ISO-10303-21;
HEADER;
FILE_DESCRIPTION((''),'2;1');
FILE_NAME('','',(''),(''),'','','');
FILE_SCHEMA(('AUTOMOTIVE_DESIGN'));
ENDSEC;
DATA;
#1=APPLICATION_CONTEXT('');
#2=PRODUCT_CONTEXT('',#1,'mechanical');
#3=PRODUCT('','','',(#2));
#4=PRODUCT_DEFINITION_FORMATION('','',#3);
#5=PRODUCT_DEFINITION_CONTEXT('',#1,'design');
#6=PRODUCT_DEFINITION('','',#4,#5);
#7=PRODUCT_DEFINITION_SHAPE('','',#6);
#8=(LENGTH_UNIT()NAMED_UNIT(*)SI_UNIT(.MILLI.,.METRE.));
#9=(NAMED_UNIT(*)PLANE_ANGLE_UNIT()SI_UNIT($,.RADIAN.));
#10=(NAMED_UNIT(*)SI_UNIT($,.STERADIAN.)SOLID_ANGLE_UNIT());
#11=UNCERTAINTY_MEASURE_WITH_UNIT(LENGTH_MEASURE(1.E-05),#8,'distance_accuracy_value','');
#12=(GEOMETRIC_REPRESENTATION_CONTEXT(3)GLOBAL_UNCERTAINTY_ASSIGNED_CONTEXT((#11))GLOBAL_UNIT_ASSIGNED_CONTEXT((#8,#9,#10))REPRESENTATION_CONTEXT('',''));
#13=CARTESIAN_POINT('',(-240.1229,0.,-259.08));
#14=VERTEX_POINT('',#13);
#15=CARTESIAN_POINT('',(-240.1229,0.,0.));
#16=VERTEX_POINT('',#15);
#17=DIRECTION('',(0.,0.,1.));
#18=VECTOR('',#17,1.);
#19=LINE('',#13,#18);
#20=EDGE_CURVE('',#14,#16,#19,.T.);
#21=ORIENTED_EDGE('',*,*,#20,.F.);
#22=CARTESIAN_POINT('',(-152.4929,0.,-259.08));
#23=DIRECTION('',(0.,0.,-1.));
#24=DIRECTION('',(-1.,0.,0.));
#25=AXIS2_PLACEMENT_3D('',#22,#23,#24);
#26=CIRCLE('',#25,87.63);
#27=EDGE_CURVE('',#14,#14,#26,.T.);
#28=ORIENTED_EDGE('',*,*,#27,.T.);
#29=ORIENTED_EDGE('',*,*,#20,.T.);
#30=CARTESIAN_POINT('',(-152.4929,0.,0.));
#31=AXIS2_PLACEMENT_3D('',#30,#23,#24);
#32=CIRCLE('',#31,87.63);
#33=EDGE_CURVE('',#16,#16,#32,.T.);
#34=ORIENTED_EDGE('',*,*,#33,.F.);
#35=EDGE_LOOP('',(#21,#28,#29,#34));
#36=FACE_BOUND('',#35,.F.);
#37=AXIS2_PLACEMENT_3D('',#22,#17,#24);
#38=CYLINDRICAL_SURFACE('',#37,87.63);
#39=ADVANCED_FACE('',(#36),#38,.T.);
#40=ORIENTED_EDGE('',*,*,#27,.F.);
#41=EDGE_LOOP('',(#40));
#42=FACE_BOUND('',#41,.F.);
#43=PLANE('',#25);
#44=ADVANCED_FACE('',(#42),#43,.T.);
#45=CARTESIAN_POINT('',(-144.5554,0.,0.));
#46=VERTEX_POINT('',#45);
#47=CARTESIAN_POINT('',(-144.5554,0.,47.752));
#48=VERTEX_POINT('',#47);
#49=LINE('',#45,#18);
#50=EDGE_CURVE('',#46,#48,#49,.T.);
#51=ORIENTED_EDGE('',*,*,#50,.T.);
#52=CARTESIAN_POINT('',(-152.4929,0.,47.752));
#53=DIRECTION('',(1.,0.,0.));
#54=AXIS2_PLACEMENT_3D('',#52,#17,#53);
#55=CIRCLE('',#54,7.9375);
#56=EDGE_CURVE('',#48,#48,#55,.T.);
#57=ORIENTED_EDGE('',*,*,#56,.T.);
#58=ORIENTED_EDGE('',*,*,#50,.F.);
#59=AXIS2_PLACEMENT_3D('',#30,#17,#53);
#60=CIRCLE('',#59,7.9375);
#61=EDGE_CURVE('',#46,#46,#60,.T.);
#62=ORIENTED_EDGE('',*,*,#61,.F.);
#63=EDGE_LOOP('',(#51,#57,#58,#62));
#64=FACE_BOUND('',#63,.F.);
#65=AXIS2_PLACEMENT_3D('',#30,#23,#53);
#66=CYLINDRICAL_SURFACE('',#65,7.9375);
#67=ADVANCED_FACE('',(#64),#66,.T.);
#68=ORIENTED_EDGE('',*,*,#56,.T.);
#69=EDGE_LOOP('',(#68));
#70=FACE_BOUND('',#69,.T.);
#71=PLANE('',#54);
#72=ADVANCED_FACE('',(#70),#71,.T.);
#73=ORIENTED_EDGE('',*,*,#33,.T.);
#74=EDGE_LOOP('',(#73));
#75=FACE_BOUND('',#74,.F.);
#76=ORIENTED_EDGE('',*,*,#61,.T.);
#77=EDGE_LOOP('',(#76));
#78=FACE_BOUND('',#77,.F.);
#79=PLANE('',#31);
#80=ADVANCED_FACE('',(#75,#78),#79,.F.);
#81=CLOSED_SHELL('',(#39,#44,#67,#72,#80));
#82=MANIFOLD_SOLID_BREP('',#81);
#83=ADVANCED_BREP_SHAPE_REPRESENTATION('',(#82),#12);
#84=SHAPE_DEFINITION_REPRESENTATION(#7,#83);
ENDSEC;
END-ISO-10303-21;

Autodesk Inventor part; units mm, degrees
ref_plane "YZ Plane" through (0, 0, 0) normal (1, 0, 0) x (0, 1, 0)
ref_plane "XZ Plane" through (0, 0, 0) normal (0, 1, 0) x (-1, 0, 0)
ref_plane "XY Plane" through (0, 0, 0) normal (0, 0, 1) x (1, 0, 0)
sketch "Sketch1" plane through (0, 0, 0) normal (0, 1, 0) x (-1, 0, 0)
  line L0 (240.1229, 0) -> (152.4929, 0)
  line L1 (152.4929, 0) -> (152.4929, -259.08)
  line L2 (152.4929, -259.08) -> (240.1229, -259.08)
  line L3 (240.1229, -259.08) -> (240.1229, 0)
  point P0 (0, 0)
  dimension "d0" = 259.08
  dimension "d1" = 87.63
revolve "Revolution1" add sketch "Sketch1" angle 360 about axis through (-152.4929, 0, 0) along (0, 0, -1)
sketch "Sketch2" plane through (-152.4929, 0, 0) normal (0, 0, 1) x (1, 0, 0)
  circle A0 centre (0, 0) radius 7.9375
  point P0 (152.4929, 0)
  dimension "d3" = 15.875
extrude "Extrusion1" add sketch "Sketch2" along normal blind 47.752
properties part number "Motor"
